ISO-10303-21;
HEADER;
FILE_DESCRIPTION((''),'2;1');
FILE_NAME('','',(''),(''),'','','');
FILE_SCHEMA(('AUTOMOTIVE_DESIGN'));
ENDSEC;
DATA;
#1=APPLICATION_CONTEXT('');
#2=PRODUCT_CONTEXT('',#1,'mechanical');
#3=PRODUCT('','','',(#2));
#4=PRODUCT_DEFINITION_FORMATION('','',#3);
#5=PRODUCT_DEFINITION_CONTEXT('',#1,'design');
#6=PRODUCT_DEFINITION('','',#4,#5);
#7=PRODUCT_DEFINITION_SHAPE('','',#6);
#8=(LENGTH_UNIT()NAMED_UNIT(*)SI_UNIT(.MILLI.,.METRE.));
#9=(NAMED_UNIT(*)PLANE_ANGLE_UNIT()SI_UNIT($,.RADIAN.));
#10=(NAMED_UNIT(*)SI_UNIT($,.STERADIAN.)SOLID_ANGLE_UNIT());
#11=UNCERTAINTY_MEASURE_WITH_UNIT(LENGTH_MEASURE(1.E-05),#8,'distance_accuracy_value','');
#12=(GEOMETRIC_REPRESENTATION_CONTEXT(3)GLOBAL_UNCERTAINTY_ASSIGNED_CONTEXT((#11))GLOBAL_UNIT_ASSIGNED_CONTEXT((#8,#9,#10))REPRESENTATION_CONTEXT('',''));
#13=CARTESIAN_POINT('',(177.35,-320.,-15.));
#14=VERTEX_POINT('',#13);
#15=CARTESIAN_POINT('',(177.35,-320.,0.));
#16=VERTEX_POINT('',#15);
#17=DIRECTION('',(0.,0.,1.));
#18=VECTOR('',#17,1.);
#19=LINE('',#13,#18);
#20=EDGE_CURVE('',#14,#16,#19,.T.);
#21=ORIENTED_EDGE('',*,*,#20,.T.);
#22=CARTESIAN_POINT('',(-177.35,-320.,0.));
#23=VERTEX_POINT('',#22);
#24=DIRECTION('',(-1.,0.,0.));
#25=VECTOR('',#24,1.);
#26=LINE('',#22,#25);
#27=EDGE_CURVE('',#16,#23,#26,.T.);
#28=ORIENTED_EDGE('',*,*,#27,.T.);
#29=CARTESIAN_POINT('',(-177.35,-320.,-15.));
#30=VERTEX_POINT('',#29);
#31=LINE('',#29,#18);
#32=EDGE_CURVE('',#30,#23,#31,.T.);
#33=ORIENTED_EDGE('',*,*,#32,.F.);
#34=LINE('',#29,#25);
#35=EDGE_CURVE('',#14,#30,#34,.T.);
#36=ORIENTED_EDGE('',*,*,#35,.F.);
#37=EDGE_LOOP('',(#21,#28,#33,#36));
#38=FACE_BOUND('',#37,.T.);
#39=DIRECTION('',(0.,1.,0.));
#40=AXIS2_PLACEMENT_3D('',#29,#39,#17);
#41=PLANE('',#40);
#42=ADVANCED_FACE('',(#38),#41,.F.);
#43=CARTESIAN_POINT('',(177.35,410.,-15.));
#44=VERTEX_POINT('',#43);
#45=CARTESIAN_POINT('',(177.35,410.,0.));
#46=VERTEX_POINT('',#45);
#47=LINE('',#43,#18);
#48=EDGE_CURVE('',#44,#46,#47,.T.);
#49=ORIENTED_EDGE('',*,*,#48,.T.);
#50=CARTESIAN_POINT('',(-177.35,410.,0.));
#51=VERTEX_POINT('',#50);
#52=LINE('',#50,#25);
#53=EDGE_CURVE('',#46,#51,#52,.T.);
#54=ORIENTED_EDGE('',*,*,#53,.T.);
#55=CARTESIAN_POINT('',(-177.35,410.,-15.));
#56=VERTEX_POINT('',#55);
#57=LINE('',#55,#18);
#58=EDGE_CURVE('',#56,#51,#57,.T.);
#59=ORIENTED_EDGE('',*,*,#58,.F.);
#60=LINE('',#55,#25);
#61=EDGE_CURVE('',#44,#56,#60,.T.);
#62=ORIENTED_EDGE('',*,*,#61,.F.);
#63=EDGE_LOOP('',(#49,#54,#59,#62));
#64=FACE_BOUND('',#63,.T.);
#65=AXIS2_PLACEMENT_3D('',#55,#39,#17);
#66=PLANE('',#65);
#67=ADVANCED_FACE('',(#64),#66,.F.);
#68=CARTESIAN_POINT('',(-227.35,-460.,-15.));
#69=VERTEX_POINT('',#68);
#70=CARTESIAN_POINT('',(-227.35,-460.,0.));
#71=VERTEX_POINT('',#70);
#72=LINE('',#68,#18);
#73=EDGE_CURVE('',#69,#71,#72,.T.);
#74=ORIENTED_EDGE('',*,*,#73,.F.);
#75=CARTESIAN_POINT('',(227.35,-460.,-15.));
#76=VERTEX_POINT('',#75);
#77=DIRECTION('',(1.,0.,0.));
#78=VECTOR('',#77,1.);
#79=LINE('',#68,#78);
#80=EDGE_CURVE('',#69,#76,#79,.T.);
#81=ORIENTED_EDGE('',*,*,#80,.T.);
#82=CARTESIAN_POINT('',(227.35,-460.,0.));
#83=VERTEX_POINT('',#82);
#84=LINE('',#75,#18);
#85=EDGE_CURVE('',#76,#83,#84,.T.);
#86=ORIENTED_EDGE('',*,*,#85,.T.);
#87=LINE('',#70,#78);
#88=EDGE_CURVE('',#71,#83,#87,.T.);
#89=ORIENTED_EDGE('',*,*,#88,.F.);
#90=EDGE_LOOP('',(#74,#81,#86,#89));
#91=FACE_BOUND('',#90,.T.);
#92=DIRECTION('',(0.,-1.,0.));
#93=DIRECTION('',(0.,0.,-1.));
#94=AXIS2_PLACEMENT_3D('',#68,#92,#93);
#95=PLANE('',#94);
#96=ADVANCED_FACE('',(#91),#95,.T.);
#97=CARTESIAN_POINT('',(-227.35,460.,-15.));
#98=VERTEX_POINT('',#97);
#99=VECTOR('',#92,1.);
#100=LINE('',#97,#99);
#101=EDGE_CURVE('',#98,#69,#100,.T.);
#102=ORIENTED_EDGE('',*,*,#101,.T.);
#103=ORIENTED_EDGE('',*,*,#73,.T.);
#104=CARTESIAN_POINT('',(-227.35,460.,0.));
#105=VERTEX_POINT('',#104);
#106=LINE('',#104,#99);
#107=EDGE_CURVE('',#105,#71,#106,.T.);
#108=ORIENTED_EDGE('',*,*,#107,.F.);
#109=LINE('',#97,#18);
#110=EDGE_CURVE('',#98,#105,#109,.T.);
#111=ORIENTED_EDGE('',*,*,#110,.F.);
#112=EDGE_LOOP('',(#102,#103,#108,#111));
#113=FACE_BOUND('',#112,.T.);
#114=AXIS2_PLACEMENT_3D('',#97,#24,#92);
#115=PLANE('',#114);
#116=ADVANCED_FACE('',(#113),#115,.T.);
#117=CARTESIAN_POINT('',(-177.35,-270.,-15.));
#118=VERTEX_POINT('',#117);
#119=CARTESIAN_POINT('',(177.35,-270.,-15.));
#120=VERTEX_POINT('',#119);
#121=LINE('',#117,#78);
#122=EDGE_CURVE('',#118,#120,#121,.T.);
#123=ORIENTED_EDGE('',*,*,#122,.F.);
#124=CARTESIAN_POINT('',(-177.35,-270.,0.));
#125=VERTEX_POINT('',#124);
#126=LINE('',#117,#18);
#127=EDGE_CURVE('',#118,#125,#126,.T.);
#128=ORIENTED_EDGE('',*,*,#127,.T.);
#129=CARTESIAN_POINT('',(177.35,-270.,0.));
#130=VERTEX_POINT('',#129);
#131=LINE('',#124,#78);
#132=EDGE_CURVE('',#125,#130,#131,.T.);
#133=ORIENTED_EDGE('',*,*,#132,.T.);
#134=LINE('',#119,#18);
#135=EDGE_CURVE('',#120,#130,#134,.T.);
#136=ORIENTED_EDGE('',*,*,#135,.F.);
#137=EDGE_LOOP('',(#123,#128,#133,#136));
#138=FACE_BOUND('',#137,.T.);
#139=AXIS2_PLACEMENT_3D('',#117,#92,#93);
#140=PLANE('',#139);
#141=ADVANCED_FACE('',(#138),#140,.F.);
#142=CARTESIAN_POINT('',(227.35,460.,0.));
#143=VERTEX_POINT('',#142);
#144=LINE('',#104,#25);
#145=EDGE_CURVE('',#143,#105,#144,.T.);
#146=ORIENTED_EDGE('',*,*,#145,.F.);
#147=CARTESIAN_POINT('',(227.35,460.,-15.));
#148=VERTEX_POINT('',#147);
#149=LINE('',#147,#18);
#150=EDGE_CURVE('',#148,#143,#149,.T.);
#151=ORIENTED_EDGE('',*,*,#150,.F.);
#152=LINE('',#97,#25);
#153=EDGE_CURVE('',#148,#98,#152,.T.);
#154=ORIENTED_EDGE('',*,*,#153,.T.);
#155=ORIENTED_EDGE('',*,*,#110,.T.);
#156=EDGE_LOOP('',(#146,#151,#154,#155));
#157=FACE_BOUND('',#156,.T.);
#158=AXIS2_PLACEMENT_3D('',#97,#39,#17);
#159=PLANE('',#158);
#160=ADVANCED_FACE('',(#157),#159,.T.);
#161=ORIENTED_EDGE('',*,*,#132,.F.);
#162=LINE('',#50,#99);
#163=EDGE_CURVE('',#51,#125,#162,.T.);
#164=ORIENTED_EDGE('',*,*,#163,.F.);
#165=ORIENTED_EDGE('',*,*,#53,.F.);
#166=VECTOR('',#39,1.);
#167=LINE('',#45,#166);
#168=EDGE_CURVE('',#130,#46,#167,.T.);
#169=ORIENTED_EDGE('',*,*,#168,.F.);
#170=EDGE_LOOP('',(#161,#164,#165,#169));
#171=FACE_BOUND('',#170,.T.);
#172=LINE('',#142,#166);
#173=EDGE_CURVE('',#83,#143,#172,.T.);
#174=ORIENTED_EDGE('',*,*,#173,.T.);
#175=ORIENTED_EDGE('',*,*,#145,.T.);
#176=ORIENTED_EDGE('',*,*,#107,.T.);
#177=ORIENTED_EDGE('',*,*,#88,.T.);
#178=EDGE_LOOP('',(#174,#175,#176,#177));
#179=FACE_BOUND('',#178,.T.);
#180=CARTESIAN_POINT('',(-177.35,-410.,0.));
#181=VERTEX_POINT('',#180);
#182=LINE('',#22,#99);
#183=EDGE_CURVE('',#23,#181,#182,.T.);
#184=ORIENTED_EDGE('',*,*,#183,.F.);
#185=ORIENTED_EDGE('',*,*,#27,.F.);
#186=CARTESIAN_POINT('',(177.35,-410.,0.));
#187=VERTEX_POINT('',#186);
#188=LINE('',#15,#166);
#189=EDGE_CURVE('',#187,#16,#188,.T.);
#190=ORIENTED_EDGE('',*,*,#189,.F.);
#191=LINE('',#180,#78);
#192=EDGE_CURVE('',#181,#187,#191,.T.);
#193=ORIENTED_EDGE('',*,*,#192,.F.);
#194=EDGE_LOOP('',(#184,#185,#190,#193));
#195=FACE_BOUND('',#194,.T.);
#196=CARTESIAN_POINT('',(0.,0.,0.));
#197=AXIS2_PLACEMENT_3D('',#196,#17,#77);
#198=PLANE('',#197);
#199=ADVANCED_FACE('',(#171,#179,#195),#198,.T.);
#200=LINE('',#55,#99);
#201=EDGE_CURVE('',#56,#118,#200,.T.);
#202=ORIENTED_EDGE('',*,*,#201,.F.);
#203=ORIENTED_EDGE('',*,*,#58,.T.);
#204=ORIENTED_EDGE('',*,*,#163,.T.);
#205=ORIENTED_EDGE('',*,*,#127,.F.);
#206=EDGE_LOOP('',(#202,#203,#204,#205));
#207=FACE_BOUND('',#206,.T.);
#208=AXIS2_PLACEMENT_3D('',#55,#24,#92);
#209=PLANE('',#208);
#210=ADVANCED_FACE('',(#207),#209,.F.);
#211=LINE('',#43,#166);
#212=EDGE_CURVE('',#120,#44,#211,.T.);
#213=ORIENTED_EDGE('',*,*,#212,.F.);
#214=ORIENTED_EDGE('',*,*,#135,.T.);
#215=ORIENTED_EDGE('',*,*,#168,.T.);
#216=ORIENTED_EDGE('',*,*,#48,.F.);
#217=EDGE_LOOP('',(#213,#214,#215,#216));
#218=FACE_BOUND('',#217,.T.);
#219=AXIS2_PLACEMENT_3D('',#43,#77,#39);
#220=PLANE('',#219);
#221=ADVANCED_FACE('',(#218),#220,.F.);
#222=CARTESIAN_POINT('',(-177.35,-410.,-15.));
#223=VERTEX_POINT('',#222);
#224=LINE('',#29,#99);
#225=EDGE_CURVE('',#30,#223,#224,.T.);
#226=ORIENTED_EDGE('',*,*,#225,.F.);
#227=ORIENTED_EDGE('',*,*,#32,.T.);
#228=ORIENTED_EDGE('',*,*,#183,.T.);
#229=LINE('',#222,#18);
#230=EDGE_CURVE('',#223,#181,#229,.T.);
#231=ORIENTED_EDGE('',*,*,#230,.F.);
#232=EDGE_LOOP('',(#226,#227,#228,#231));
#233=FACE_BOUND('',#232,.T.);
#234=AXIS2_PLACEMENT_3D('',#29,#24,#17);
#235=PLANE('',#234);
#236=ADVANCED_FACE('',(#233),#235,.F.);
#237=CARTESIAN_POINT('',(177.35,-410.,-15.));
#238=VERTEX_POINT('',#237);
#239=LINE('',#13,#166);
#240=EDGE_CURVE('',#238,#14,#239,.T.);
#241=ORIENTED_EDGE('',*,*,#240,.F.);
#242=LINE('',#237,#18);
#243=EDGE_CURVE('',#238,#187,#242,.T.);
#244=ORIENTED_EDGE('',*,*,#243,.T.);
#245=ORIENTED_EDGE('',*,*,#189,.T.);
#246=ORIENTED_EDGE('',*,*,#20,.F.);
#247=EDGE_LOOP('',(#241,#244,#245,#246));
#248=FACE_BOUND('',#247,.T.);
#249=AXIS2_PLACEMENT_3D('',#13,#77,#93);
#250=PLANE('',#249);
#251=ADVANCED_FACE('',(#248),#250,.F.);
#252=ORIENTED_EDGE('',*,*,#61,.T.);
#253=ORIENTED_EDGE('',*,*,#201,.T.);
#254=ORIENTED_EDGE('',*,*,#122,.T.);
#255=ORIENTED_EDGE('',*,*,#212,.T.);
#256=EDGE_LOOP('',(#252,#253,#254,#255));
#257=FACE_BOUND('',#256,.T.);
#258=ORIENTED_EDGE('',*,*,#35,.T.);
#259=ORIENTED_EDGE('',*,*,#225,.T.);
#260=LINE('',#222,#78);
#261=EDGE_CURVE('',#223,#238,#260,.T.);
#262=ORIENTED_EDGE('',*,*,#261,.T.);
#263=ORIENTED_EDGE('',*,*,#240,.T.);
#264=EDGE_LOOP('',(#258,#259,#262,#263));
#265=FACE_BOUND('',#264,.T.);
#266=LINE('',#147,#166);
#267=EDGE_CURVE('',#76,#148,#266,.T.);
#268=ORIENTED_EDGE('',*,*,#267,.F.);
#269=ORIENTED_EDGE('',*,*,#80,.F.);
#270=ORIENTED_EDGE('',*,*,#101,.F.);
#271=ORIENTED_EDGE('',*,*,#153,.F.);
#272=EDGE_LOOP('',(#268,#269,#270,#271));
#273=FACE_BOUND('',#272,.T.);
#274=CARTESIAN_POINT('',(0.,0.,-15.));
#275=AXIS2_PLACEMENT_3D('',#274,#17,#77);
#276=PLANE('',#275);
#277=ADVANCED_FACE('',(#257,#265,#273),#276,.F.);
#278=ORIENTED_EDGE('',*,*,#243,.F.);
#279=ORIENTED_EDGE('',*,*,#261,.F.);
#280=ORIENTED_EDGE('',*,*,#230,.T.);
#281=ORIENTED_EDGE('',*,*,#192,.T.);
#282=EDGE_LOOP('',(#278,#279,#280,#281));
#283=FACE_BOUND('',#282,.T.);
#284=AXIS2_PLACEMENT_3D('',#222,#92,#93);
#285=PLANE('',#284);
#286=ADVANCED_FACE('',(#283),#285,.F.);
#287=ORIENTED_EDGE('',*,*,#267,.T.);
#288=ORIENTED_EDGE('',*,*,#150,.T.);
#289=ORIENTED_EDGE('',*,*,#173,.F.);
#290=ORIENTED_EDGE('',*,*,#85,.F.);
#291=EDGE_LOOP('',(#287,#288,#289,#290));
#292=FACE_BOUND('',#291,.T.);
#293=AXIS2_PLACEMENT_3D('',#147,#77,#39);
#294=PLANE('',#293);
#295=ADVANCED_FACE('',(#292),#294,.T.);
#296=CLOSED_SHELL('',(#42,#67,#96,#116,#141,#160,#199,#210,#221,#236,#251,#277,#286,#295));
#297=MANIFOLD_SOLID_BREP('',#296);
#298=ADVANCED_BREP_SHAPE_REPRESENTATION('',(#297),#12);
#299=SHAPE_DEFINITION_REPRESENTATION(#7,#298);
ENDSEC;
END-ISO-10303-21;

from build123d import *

# Parameters (mm, degrees)
CROQUIS1_W              = 454.7
CROQUIS1_H              = 920
CROQUIS1_W_2            = 354.7
CROQUIS1_H_2            = 680
SALIENTE_EXTRUIR1_DEPTH = 15
CROQUIS2_W              = 354.7
CROQUIS2_H              = 90
CORTAR_EXTRUIR1_DEPTH   = 15


with BuildPart() as part:
    # Croquis1 → Saliente-Extruir1 (new body)
    with BuildSketch(Plane.XY):
        Rectangle(CROQUIS1_W, CROQUIS1_H)
        with Locations((0, 70)):
            Rectangle(CROQUIS1_W_2, CROQUIS1_H_2, mode=Mode.SUBTRACT)
    extrude(amount=-SALIENTE_EXTRUIR1_DEPTH)

    # Croquis2 → Cortar-Extruir1 (cut)
    with BuildSketch(Plane.XY):
        with Locations((0, -365)):
            Rectangle(CROQUIS2_W, CROQUIS2_H)
    extrude(amount=-CORTAR_EXTRUIR1_DEPTH, mode=Mode.SUBTRACT)


solid = part.part
